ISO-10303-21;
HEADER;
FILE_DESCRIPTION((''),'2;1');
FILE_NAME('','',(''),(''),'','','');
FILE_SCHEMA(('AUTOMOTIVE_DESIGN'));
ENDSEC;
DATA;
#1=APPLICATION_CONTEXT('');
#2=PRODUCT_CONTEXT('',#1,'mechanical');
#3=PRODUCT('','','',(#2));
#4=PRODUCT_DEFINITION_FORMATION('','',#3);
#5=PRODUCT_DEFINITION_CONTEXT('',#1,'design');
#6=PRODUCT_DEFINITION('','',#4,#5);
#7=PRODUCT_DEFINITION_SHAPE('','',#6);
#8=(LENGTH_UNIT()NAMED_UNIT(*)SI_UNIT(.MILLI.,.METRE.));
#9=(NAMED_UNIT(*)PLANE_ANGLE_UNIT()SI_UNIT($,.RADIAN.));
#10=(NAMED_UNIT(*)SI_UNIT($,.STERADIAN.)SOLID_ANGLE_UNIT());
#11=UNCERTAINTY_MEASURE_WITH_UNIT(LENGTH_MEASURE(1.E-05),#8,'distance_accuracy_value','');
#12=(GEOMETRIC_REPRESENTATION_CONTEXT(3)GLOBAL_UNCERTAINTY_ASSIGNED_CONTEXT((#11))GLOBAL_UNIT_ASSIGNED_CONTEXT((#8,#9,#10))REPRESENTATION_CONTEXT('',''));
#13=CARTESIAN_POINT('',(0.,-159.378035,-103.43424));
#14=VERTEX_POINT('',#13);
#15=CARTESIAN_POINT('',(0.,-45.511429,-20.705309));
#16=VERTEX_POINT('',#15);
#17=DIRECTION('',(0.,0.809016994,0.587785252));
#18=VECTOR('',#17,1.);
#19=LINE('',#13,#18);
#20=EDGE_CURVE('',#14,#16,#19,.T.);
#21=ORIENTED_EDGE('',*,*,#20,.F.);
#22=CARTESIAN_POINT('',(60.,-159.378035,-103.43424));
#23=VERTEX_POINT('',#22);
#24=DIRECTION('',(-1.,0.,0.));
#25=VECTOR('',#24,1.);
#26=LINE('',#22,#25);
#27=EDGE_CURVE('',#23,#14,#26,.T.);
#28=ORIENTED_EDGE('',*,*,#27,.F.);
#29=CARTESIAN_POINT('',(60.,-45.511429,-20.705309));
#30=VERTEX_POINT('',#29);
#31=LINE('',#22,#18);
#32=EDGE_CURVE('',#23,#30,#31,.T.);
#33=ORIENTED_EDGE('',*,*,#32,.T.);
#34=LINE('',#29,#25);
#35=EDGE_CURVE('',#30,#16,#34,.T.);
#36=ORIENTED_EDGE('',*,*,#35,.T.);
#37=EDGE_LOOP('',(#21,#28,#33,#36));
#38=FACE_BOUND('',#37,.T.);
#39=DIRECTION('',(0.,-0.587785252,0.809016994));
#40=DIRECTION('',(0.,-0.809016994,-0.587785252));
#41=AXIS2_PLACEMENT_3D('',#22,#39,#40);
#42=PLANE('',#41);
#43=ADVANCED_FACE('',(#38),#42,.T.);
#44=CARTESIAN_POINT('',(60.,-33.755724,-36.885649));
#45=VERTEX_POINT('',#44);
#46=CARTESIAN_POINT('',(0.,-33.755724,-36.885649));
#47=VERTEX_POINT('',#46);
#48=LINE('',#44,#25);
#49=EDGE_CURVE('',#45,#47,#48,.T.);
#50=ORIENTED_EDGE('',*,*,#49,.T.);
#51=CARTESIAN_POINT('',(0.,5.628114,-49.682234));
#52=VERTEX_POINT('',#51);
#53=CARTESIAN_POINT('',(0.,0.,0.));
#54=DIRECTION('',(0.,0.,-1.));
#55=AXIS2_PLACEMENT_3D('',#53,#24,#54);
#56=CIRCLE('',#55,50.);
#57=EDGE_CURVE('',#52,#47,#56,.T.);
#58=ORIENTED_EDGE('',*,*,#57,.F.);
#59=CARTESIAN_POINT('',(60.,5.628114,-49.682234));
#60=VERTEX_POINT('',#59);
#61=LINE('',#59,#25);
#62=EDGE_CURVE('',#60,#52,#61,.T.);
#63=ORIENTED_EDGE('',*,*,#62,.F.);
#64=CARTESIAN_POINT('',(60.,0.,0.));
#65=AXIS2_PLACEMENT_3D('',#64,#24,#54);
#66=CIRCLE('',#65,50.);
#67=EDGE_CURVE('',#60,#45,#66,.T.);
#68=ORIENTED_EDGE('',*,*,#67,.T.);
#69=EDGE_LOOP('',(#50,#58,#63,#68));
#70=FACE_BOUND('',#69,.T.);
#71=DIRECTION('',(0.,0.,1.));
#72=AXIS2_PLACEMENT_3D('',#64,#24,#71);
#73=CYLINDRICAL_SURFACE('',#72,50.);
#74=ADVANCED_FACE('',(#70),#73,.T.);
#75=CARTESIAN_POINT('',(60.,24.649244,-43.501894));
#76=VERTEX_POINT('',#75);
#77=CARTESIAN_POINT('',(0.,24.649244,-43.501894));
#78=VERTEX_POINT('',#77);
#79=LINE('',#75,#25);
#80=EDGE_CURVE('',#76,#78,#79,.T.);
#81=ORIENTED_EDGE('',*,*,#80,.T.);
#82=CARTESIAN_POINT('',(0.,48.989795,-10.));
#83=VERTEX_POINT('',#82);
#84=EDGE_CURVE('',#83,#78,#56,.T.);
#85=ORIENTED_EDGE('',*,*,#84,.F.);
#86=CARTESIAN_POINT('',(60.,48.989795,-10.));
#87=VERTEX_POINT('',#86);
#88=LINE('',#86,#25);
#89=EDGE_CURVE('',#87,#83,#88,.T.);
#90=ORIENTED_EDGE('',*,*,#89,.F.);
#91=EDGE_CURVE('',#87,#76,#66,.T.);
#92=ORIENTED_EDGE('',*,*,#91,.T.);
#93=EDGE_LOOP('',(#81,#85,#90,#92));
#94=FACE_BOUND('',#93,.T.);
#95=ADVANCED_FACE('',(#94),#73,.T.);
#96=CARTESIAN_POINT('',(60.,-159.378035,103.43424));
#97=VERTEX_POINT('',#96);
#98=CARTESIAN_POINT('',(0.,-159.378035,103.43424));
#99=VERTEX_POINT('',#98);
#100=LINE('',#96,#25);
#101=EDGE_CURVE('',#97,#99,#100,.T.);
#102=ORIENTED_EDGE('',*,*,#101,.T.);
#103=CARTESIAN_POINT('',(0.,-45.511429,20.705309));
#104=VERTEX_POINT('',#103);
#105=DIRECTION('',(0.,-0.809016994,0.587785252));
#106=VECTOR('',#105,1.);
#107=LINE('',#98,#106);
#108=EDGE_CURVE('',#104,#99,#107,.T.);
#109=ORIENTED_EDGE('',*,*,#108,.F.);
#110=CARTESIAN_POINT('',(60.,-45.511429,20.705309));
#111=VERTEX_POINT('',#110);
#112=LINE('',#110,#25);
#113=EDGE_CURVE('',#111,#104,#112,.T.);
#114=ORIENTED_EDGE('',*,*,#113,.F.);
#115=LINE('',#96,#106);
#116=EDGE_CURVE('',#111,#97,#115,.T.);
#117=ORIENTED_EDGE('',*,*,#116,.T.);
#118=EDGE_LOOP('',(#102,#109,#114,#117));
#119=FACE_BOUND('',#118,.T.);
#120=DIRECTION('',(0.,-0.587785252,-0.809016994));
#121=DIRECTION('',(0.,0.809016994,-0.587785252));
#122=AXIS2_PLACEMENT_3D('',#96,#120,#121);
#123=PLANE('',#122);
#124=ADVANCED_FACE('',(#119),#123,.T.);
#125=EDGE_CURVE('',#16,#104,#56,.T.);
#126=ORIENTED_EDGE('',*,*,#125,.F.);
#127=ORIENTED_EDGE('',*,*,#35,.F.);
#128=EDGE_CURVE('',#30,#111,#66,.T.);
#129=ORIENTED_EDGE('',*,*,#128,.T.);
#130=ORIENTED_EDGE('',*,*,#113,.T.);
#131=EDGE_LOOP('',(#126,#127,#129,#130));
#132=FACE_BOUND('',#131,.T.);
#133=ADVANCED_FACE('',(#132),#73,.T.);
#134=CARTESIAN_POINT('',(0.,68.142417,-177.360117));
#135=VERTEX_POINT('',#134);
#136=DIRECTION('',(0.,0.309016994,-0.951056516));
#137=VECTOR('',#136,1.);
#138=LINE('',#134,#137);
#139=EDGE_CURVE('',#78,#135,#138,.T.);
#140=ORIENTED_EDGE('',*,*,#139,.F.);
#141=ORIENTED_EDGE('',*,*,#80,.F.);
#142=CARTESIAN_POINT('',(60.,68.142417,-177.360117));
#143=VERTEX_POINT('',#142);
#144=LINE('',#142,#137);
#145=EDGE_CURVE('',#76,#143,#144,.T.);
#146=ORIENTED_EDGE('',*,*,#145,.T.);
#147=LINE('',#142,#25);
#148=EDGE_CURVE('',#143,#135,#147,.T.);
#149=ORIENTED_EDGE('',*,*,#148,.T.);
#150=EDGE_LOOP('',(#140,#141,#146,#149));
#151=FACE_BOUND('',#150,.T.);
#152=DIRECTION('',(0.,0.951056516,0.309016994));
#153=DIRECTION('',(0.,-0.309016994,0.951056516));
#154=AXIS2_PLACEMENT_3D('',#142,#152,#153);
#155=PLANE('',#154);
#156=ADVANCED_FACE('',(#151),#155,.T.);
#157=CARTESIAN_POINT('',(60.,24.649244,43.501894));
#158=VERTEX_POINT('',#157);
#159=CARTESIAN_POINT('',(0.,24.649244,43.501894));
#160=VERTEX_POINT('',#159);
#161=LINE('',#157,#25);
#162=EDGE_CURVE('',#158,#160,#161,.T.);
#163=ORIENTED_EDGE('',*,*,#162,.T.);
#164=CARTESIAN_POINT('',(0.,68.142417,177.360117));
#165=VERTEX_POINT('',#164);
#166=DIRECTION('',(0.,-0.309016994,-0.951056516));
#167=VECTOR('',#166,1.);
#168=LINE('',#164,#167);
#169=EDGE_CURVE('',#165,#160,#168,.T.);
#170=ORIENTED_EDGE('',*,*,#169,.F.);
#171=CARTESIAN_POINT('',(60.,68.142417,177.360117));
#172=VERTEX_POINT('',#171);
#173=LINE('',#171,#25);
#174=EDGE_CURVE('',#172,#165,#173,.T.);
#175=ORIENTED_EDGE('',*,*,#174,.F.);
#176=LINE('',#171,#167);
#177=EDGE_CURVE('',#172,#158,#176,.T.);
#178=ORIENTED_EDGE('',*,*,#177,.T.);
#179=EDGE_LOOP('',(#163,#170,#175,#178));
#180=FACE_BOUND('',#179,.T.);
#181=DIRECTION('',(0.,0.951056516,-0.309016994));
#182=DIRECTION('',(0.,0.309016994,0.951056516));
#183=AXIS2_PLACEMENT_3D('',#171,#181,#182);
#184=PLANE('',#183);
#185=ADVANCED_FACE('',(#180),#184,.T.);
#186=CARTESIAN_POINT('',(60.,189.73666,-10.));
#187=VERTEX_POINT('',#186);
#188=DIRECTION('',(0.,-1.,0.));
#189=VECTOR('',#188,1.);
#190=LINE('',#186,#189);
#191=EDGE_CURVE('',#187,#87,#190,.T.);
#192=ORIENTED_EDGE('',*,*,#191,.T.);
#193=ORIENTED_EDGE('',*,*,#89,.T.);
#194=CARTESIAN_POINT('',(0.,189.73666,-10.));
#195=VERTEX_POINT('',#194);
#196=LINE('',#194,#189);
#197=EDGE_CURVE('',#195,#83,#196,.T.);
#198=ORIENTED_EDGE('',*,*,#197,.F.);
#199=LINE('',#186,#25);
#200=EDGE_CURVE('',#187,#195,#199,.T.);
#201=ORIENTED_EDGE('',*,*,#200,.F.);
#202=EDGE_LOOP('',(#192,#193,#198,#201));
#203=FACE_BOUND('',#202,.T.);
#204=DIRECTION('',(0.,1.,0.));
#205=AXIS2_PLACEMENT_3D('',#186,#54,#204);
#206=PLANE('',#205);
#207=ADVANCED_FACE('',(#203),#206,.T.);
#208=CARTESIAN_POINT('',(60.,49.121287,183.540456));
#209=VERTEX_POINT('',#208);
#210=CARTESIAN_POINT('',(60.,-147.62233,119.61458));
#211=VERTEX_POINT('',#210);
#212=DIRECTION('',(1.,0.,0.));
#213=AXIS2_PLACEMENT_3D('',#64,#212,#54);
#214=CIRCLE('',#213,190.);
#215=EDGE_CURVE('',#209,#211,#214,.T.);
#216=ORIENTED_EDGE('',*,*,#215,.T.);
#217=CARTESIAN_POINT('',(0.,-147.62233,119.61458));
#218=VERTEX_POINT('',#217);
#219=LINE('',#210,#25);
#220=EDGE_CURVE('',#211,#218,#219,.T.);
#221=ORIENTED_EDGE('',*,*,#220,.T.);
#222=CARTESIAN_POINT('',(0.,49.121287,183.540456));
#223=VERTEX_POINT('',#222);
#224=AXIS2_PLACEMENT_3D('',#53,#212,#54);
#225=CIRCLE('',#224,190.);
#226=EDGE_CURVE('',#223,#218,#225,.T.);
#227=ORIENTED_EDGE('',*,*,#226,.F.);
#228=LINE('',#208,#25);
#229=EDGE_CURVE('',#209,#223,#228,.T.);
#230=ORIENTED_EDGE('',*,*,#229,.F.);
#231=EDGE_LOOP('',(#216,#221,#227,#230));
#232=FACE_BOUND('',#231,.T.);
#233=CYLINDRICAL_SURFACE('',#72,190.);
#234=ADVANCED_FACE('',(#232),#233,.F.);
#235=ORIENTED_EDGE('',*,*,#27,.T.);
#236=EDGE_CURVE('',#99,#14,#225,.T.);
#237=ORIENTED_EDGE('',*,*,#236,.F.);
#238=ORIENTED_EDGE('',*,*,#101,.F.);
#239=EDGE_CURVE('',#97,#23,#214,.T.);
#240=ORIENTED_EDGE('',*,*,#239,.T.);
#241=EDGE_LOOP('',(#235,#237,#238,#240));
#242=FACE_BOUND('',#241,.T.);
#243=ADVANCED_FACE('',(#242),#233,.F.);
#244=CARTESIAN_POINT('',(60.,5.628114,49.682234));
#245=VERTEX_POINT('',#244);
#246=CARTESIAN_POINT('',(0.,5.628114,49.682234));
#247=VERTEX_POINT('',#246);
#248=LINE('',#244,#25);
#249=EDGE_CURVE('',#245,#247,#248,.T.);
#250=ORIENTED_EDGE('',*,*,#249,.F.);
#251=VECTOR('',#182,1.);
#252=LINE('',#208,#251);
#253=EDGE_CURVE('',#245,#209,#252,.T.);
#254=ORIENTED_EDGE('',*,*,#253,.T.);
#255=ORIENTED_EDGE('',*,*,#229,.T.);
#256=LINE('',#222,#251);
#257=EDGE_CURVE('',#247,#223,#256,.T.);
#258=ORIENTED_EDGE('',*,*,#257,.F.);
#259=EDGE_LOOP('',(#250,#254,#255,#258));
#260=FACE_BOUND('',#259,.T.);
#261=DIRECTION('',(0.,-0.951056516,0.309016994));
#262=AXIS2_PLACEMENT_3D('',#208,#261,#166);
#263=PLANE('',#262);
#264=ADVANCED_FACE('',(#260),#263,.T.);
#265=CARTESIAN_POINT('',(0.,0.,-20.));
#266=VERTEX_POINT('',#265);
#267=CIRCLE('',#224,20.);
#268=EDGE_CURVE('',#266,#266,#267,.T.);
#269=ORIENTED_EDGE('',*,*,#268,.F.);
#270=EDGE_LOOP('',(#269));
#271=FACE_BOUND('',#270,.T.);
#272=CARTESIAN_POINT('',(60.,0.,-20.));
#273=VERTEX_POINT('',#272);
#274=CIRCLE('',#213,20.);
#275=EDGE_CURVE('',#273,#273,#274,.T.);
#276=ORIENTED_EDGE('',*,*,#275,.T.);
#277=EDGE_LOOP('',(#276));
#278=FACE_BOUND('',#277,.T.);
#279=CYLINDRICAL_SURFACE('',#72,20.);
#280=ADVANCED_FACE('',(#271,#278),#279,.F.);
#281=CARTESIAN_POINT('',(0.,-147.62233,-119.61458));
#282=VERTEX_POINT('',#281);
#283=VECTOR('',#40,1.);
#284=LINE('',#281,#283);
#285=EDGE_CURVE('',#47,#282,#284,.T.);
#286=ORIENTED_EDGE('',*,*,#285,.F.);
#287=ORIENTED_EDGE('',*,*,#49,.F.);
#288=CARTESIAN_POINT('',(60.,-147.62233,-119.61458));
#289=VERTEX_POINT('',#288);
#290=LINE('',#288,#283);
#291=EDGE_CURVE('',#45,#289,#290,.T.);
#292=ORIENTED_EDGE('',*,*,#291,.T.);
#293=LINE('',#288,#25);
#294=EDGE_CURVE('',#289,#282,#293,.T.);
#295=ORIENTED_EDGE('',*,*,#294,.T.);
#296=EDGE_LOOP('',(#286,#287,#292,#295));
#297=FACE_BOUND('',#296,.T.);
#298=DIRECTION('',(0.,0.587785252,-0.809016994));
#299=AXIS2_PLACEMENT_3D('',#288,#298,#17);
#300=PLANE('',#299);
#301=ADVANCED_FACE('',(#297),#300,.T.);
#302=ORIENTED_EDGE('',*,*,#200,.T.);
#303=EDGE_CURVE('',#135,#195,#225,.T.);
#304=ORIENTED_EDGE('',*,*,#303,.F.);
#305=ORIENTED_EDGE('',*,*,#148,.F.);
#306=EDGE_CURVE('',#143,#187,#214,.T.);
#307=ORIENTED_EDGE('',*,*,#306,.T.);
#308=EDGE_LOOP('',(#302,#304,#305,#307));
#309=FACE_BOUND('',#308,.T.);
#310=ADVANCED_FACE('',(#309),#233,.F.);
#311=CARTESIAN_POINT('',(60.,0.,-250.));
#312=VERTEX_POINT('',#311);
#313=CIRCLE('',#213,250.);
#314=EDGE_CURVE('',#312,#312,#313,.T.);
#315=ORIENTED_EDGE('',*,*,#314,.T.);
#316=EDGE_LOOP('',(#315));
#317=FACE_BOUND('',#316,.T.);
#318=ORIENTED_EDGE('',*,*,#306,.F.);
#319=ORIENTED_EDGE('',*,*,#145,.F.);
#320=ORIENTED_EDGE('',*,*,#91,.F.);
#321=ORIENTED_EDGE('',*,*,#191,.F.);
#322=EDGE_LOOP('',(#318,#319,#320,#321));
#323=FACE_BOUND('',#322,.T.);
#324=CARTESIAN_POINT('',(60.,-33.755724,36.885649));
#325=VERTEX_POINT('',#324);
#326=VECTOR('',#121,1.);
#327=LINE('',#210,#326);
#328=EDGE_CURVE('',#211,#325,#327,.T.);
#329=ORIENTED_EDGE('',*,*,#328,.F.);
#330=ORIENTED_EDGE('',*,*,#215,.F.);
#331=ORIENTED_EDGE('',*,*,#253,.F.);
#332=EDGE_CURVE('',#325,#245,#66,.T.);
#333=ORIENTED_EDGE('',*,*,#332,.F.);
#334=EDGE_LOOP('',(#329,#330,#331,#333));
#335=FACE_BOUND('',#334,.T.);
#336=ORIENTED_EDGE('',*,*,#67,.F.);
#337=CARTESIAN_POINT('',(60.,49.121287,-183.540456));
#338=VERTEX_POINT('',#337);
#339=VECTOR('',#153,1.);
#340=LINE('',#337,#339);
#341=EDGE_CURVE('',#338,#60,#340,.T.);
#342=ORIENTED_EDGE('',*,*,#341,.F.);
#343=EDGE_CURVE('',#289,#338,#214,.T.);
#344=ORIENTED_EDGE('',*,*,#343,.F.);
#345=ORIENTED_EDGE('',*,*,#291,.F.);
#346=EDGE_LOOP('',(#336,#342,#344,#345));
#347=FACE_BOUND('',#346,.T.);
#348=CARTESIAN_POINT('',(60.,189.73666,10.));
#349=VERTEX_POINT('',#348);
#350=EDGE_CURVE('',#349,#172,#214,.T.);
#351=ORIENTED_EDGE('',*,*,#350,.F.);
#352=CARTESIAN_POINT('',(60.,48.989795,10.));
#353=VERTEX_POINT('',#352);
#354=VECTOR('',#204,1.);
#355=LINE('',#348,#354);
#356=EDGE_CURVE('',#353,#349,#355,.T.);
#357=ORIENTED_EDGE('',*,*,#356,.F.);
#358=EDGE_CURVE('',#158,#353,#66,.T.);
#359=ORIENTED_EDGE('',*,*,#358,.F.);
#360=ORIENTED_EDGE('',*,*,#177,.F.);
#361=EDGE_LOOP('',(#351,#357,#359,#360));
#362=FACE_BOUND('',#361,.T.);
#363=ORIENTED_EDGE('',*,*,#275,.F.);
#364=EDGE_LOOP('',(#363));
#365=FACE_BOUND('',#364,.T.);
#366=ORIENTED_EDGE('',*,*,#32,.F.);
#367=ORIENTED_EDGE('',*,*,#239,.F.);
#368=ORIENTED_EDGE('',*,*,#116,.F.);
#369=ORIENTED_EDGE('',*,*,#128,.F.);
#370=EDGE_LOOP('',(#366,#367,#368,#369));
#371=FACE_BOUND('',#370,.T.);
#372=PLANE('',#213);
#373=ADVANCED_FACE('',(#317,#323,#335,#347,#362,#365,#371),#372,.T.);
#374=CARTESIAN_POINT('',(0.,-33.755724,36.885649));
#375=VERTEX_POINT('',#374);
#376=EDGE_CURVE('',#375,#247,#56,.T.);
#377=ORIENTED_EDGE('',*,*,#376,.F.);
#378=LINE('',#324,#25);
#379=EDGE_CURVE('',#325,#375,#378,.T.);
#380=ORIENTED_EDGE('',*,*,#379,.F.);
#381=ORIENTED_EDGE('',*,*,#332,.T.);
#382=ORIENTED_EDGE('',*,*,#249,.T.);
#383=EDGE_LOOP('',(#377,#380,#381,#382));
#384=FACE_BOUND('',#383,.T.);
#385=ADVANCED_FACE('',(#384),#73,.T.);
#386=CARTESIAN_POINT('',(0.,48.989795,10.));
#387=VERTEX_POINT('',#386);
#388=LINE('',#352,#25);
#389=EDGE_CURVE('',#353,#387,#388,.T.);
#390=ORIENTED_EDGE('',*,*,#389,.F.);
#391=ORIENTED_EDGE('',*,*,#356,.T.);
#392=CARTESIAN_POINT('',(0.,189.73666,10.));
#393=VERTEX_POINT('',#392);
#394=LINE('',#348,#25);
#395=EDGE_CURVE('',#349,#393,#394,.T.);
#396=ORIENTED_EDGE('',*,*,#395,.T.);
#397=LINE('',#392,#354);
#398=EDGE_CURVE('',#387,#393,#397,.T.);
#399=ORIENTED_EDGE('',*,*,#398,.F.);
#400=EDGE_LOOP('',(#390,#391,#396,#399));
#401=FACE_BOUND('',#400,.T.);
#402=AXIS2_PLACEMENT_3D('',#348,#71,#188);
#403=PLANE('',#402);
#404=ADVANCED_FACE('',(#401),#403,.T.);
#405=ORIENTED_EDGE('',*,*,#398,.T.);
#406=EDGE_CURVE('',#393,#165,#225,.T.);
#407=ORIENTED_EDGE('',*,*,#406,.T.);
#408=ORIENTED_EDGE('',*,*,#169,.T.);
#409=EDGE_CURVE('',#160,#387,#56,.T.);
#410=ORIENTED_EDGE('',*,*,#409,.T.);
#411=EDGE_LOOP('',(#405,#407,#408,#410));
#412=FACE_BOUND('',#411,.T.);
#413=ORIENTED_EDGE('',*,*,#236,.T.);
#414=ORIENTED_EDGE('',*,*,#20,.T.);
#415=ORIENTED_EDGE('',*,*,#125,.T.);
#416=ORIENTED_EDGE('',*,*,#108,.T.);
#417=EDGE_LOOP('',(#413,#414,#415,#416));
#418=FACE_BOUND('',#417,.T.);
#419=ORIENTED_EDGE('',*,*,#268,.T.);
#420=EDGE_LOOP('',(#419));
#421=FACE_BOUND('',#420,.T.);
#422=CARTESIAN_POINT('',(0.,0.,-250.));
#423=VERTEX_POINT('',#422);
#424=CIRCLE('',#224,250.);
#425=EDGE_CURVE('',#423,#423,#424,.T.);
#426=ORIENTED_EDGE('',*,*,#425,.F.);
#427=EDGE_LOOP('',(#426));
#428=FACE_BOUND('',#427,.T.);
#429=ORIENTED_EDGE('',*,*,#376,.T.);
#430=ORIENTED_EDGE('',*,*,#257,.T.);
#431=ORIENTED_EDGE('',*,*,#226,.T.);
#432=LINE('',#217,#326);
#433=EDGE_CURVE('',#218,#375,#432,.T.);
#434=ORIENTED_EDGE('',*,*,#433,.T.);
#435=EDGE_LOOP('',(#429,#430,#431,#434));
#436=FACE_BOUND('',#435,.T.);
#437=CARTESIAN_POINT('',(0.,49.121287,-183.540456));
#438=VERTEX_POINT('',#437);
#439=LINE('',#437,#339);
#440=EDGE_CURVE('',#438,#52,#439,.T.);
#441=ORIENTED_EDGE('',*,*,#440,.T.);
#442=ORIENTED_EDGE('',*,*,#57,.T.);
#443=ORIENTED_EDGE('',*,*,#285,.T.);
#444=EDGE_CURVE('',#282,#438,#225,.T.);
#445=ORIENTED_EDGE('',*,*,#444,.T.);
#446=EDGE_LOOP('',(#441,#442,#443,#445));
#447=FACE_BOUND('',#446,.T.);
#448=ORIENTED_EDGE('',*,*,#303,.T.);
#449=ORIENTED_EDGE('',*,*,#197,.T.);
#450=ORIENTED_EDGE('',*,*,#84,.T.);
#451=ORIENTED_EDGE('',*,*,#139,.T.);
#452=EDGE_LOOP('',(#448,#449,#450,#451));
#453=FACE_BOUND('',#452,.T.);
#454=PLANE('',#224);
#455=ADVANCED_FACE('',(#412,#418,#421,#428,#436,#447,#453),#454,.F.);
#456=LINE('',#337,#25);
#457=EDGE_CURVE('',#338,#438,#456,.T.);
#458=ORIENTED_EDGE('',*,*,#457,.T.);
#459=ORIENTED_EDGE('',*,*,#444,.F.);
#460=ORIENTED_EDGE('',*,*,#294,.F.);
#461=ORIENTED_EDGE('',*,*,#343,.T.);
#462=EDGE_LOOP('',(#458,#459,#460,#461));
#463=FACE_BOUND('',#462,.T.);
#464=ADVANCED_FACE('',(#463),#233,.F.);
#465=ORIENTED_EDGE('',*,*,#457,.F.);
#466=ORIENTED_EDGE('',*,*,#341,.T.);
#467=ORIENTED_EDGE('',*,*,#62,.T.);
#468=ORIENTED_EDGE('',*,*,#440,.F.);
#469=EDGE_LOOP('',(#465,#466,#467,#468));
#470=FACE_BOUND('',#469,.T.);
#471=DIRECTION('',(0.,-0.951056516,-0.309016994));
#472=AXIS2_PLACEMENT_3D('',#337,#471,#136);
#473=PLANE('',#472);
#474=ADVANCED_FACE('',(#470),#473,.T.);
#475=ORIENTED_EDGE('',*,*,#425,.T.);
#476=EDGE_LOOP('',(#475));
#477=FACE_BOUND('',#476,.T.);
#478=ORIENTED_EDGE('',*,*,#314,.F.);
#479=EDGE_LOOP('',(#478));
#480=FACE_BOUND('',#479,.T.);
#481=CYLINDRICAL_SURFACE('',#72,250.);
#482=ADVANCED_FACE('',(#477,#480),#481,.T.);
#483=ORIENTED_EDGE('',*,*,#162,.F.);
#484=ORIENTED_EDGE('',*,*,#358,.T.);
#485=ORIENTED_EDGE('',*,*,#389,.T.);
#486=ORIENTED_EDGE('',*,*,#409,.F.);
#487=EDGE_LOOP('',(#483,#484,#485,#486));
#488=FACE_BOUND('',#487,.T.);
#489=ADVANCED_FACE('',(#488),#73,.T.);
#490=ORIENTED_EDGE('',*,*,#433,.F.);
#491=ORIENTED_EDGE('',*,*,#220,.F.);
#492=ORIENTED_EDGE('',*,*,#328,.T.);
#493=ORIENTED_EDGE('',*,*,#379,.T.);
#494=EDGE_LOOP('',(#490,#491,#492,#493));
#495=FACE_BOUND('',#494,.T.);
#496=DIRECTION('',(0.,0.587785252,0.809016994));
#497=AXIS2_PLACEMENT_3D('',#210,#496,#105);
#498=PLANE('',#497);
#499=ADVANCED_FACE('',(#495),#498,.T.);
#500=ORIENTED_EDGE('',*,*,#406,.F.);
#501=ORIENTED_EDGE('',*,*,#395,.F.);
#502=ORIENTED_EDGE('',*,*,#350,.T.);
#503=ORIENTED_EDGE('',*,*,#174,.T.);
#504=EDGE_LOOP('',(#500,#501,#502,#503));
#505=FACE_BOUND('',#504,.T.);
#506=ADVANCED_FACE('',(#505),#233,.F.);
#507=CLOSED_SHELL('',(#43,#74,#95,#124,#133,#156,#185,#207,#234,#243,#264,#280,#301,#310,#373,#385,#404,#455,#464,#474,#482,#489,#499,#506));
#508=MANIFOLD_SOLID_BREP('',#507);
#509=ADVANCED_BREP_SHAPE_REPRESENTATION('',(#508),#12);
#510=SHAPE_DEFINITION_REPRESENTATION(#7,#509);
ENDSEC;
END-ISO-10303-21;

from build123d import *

# Parameters (mm, degrees)
SKETCH1_R           = 250
SKETCH1_R_2         = 20
BOSS_EXTRUDE1_DEPTH = 60


with BuildPart() as part:
    # Sketch1 → Boss-Extrude1 (new body)
    with BuildSketch(Plane(origin=(0, 0, 0), x_dir=(0, 0, -1), z_dir=(1, 0, 0))):
        Circle(SKETCH1_R)
        Circle(SKETCH1_R_2, mode=Mode.SUBTRACT)
        with BuildLine():
            Line((177.360116559, 68.142417438), (43.501893686, 24.649244324))
            ThreePointArc((43.501893686, 24.649244324), (29.389262615, 40.450849719), (10, 48.989794856))
            Line((10, 48.989794856), (10, 189.73665961))
            ThreePointArc((10, 189.73665961), (111.679197936, 153.713228931), (177.360116559, 68.142417438))
        make_face(mode=Mode.SUBTRACT)
        with BuildLine():
            Line((-10, 189.73665961), (-10, 48.989794856))
            ThreePointArc((-10, 48.989794856), (-29.389262615, 40.450849719), (-43.501893686, 24.649244324))
            Line((-43.501893686, 24.649244324), (-177.360116559, 68.142417438))
            ThreePointArc((-177.360116559, 68.142417438), (-111.679197936, 153.713228931), (-10, 189.73665961))
        make_face(mode=Mode.SUBTRACT)
        with BuildLine():
            Line((183.540456446, 49.121287113), (49.682233573, 5.628113998))
            ThreePointArc((49.682233573, 5.628113998), (47.552825815, -15.450849719), (36.885648873, -33.755724066))
            Line((36.885648873, -33.755724066), (119.614580282, -147.622329558))
            ThreePointArc((119.614580282, -147.622329558), (180.700738096, -58.713228931), (183.540456446, 49.121287113))
        make_face(mode=Mode.SUBTRACT)
        with BuildLine():
            Line((103.434240394, -159.378034603), (20.705308985, -45.511429112))
            ThreePointArc((20.705308985, -45.511429112), (0, -50), (-20.705308985, -45.511429112))
            Line((-20.705308985, -45.511429112), (-103.434240394, -159.378034603))
            ThreePointArc((-103.434240394, -159.378034603), (0, -190), (103.434240394, -159.378034603))
        make_face(mode=Mode.SUBTRACT)
        with BuildLine():
            Line((-119.614580282, -147.622329558), (-36.885648873, -33.755724066))
            ThreePointArc((-36.885648873, -33.755724066), (-47.552825815, -15.450849719), (-49.682233573, 5.628113998))
            Line((-49.682233573, 5.628113998), (-183.540456446, 49.121287113))
            ThreePointArc((-183.540456446, 49.121287113), (-180.700738096, -58.713228931), (-119.614580282, -147.622329558))
        make_face(mode=Mode.SUBTRACT)
    extrude(amount=BOSS_EXTRUDE1_DEPTH)


solid = part.part
